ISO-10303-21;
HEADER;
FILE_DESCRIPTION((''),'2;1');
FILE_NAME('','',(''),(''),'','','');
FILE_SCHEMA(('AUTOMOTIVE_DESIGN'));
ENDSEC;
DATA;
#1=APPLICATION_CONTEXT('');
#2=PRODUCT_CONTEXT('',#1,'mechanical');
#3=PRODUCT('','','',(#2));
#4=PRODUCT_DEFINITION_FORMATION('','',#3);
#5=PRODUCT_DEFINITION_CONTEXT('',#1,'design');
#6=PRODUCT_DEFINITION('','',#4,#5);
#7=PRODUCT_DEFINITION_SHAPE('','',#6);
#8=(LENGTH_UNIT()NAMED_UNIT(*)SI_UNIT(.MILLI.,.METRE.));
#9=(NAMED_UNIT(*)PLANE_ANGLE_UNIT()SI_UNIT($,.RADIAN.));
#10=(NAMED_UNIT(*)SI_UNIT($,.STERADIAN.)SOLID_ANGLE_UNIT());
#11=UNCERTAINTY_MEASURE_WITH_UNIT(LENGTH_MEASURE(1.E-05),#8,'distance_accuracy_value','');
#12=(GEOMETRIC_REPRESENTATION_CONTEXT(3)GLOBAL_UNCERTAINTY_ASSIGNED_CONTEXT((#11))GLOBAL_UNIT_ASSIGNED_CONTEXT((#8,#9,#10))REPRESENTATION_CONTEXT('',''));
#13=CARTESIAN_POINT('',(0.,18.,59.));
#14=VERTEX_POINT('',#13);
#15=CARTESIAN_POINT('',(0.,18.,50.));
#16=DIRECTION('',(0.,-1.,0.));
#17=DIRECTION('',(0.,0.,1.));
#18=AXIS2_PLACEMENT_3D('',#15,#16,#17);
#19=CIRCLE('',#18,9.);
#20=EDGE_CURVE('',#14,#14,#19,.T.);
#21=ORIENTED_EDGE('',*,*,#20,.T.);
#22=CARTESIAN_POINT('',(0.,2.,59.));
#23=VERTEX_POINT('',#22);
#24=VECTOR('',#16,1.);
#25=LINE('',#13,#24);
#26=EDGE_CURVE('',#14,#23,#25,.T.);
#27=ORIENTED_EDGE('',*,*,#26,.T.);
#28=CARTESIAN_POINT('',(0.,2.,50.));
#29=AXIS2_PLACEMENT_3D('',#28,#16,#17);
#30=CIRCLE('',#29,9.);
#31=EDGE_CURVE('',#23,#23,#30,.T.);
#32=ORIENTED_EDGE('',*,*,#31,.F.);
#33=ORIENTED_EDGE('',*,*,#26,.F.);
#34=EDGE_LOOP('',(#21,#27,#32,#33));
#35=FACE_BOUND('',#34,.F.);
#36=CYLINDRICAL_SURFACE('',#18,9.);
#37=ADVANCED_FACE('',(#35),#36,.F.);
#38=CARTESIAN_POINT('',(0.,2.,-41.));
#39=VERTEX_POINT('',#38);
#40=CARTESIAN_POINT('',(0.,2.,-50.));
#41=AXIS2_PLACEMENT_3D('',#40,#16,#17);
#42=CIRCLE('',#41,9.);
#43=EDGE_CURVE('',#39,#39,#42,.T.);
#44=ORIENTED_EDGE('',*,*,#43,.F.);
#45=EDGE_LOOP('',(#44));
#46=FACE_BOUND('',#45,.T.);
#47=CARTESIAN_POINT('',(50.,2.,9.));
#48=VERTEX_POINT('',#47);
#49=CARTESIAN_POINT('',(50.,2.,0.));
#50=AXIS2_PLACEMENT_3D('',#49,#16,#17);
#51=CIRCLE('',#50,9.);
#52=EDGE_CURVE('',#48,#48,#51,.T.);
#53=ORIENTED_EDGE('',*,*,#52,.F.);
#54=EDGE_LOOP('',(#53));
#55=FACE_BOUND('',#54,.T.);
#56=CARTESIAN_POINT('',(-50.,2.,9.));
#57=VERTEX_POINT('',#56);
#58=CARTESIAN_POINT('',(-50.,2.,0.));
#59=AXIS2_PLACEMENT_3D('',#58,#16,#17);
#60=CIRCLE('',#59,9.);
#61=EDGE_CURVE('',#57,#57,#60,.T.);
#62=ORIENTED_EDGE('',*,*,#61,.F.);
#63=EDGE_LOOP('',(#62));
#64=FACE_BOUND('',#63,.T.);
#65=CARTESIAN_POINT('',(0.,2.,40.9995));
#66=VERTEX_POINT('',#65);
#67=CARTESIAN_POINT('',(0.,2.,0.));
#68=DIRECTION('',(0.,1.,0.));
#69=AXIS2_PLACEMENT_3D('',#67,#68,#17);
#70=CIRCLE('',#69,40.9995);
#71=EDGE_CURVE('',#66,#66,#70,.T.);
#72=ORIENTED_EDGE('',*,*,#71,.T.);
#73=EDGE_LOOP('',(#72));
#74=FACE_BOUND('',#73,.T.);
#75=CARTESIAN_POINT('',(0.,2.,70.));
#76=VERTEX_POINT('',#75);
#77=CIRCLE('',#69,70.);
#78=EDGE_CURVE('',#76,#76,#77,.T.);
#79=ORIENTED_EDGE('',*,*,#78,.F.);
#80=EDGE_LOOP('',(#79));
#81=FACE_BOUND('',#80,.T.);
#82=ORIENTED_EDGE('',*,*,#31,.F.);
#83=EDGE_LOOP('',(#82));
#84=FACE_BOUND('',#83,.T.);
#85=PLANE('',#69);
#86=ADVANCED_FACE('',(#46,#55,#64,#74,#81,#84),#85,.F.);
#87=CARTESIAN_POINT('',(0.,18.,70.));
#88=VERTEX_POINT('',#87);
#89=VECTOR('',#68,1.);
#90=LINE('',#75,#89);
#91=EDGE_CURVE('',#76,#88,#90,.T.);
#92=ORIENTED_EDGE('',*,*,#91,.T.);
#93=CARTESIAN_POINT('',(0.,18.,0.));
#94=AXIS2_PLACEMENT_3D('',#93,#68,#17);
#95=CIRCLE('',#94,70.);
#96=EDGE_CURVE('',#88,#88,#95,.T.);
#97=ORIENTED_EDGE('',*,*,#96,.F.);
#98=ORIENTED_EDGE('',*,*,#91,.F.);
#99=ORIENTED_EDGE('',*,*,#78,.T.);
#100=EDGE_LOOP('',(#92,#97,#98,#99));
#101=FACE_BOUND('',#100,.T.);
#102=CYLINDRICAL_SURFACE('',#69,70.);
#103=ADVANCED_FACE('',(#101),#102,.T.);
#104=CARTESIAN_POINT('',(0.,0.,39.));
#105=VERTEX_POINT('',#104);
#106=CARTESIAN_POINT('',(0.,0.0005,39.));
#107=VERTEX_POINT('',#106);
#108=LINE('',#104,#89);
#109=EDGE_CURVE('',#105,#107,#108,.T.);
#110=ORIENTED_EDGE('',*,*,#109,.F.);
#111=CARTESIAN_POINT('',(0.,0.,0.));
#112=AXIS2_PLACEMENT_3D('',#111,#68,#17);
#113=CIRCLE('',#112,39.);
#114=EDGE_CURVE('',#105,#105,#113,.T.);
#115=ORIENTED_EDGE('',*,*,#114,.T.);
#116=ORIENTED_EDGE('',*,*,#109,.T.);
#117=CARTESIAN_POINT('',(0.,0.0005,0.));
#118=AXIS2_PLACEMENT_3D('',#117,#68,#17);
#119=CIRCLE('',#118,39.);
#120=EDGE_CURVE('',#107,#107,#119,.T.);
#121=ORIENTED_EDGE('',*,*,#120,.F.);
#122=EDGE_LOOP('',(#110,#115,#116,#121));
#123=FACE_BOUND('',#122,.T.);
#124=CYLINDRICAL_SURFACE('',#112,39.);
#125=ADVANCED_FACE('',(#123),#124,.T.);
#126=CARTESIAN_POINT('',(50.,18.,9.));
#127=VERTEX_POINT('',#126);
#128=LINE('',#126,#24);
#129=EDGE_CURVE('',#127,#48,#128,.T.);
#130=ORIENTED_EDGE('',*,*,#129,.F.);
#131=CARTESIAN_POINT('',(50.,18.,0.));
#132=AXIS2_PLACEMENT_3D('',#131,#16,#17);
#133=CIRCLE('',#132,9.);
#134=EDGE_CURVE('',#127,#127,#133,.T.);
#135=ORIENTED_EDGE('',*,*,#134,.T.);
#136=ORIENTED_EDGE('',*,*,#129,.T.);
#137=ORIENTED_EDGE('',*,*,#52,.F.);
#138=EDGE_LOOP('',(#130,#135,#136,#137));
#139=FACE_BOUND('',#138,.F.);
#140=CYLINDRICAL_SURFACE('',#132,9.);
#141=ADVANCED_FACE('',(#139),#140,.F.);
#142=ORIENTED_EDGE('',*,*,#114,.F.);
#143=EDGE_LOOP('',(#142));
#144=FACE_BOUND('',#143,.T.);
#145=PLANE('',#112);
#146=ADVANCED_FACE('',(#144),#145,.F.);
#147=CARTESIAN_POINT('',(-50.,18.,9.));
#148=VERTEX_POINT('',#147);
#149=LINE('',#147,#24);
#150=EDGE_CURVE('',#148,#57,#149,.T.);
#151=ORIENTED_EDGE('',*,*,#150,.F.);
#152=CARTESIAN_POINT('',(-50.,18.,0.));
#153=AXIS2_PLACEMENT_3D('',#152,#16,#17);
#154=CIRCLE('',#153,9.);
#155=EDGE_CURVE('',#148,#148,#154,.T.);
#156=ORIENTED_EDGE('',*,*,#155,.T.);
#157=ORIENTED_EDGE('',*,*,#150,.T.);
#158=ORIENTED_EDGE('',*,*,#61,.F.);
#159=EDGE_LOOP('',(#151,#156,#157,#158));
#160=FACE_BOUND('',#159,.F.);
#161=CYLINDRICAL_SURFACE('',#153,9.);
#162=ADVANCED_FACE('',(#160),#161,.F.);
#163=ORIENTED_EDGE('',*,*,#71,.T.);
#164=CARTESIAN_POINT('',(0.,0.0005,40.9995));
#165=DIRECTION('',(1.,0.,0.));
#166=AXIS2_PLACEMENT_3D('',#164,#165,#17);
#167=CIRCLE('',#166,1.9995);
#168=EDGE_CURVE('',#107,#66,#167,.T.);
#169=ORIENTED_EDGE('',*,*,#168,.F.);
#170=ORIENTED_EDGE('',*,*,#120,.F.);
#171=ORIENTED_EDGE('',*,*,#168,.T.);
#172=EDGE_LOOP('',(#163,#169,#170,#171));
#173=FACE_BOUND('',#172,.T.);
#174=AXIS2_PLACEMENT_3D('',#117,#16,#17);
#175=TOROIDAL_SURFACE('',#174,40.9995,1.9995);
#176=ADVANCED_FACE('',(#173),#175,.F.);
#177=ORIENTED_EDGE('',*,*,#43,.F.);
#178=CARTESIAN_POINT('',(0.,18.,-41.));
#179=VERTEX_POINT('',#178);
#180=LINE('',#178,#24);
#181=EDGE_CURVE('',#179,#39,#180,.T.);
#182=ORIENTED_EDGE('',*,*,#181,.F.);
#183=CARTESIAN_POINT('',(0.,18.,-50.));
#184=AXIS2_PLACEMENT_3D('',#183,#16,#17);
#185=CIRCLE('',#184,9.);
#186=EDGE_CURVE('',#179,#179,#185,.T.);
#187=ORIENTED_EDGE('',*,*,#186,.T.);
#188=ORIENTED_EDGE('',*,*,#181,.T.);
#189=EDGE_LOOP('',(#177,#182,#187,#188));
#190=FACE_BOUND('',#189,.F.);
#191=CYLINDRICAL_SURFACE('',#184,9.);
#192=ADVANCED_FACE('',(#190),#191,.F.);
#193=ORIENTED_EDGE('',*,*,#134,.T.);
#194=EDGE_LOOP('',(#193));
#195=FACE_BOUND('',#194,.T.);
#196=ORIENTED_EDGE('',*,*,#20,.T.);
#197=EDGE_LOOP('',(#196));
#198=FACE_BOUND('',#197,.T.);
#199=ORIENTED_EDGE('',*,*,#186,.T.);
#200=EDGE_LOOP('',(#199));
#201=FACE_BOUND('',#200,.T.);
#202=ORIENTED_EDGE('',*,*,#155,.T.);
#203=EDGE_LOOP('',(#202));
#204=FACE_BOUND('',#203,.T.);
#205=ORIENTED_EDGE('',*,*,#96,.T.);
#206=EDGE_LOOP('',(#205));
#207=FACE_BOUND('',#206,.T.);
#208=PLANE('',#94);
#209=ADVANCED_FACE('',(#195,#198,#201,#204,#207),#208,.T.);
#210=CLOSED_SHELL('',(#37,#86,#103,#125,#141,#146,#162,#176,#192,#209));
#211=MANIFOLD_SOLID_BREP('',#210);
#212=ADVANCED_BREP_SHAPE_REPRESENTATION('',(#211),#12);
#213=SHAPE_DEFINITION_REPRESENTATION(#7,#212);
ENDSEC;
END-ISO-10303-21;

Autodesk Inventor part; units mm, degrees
ref_plane "YZ Plane" through (0, 0, 0) normal (1, 0, 0) x (0, 1, 0)
ref_plane "XZ Plane" through (0, 0, 0) normal (0, 1, 0) x (-1, 0, 0)
ref_plane "XY Plane" through (0, 0, 0) normal (0, 0, 1) x (1, 0, 0)
sketch "Sketch1" plane through (0, 0, 0) normal (1, 0, 0) x (0, 1, 0)
  line L0 (0, 0) -> (21, 0)
  line L1 (0, 0) -> (0, 39)
  line L2 (0, 39) -> (2, 39)
  line L3 (2, 39) -> (2, 70)
  line L4 (2, 70) -> (18, 70)
  line L5 (18, 70) -> (18, 0)
  dimension "d0" = 78
  dimension "d2" = 18
  dimension "d3" = 140
  dimension "d6" = 2
revolve "Revolution1" add sketch "Sketch1" angle 360 about axis through (0, 0, 0) along (0, 1, 0)
sketch "Sketch2" plane through (0, 18, 0) normal (0, 1, 0) x (1, 0, 0)
  point P0 (0, 0)
  point P1 (-50, 0)
  point P2 (0, 50)
  point P3 (50, 0)
  point P4 (0, -50)
hole "Hole1" at (-50, 18, 0) at (0, 18, -50) at (50, 18, 0) at (0, 18, 50) direction (0, -1, 0) diameter 18 end through all
fillet "Fillet1" radius 2 1 edges at (0, 2, -39)
properties part number "vakkarima" material "Steel, Alloy"
